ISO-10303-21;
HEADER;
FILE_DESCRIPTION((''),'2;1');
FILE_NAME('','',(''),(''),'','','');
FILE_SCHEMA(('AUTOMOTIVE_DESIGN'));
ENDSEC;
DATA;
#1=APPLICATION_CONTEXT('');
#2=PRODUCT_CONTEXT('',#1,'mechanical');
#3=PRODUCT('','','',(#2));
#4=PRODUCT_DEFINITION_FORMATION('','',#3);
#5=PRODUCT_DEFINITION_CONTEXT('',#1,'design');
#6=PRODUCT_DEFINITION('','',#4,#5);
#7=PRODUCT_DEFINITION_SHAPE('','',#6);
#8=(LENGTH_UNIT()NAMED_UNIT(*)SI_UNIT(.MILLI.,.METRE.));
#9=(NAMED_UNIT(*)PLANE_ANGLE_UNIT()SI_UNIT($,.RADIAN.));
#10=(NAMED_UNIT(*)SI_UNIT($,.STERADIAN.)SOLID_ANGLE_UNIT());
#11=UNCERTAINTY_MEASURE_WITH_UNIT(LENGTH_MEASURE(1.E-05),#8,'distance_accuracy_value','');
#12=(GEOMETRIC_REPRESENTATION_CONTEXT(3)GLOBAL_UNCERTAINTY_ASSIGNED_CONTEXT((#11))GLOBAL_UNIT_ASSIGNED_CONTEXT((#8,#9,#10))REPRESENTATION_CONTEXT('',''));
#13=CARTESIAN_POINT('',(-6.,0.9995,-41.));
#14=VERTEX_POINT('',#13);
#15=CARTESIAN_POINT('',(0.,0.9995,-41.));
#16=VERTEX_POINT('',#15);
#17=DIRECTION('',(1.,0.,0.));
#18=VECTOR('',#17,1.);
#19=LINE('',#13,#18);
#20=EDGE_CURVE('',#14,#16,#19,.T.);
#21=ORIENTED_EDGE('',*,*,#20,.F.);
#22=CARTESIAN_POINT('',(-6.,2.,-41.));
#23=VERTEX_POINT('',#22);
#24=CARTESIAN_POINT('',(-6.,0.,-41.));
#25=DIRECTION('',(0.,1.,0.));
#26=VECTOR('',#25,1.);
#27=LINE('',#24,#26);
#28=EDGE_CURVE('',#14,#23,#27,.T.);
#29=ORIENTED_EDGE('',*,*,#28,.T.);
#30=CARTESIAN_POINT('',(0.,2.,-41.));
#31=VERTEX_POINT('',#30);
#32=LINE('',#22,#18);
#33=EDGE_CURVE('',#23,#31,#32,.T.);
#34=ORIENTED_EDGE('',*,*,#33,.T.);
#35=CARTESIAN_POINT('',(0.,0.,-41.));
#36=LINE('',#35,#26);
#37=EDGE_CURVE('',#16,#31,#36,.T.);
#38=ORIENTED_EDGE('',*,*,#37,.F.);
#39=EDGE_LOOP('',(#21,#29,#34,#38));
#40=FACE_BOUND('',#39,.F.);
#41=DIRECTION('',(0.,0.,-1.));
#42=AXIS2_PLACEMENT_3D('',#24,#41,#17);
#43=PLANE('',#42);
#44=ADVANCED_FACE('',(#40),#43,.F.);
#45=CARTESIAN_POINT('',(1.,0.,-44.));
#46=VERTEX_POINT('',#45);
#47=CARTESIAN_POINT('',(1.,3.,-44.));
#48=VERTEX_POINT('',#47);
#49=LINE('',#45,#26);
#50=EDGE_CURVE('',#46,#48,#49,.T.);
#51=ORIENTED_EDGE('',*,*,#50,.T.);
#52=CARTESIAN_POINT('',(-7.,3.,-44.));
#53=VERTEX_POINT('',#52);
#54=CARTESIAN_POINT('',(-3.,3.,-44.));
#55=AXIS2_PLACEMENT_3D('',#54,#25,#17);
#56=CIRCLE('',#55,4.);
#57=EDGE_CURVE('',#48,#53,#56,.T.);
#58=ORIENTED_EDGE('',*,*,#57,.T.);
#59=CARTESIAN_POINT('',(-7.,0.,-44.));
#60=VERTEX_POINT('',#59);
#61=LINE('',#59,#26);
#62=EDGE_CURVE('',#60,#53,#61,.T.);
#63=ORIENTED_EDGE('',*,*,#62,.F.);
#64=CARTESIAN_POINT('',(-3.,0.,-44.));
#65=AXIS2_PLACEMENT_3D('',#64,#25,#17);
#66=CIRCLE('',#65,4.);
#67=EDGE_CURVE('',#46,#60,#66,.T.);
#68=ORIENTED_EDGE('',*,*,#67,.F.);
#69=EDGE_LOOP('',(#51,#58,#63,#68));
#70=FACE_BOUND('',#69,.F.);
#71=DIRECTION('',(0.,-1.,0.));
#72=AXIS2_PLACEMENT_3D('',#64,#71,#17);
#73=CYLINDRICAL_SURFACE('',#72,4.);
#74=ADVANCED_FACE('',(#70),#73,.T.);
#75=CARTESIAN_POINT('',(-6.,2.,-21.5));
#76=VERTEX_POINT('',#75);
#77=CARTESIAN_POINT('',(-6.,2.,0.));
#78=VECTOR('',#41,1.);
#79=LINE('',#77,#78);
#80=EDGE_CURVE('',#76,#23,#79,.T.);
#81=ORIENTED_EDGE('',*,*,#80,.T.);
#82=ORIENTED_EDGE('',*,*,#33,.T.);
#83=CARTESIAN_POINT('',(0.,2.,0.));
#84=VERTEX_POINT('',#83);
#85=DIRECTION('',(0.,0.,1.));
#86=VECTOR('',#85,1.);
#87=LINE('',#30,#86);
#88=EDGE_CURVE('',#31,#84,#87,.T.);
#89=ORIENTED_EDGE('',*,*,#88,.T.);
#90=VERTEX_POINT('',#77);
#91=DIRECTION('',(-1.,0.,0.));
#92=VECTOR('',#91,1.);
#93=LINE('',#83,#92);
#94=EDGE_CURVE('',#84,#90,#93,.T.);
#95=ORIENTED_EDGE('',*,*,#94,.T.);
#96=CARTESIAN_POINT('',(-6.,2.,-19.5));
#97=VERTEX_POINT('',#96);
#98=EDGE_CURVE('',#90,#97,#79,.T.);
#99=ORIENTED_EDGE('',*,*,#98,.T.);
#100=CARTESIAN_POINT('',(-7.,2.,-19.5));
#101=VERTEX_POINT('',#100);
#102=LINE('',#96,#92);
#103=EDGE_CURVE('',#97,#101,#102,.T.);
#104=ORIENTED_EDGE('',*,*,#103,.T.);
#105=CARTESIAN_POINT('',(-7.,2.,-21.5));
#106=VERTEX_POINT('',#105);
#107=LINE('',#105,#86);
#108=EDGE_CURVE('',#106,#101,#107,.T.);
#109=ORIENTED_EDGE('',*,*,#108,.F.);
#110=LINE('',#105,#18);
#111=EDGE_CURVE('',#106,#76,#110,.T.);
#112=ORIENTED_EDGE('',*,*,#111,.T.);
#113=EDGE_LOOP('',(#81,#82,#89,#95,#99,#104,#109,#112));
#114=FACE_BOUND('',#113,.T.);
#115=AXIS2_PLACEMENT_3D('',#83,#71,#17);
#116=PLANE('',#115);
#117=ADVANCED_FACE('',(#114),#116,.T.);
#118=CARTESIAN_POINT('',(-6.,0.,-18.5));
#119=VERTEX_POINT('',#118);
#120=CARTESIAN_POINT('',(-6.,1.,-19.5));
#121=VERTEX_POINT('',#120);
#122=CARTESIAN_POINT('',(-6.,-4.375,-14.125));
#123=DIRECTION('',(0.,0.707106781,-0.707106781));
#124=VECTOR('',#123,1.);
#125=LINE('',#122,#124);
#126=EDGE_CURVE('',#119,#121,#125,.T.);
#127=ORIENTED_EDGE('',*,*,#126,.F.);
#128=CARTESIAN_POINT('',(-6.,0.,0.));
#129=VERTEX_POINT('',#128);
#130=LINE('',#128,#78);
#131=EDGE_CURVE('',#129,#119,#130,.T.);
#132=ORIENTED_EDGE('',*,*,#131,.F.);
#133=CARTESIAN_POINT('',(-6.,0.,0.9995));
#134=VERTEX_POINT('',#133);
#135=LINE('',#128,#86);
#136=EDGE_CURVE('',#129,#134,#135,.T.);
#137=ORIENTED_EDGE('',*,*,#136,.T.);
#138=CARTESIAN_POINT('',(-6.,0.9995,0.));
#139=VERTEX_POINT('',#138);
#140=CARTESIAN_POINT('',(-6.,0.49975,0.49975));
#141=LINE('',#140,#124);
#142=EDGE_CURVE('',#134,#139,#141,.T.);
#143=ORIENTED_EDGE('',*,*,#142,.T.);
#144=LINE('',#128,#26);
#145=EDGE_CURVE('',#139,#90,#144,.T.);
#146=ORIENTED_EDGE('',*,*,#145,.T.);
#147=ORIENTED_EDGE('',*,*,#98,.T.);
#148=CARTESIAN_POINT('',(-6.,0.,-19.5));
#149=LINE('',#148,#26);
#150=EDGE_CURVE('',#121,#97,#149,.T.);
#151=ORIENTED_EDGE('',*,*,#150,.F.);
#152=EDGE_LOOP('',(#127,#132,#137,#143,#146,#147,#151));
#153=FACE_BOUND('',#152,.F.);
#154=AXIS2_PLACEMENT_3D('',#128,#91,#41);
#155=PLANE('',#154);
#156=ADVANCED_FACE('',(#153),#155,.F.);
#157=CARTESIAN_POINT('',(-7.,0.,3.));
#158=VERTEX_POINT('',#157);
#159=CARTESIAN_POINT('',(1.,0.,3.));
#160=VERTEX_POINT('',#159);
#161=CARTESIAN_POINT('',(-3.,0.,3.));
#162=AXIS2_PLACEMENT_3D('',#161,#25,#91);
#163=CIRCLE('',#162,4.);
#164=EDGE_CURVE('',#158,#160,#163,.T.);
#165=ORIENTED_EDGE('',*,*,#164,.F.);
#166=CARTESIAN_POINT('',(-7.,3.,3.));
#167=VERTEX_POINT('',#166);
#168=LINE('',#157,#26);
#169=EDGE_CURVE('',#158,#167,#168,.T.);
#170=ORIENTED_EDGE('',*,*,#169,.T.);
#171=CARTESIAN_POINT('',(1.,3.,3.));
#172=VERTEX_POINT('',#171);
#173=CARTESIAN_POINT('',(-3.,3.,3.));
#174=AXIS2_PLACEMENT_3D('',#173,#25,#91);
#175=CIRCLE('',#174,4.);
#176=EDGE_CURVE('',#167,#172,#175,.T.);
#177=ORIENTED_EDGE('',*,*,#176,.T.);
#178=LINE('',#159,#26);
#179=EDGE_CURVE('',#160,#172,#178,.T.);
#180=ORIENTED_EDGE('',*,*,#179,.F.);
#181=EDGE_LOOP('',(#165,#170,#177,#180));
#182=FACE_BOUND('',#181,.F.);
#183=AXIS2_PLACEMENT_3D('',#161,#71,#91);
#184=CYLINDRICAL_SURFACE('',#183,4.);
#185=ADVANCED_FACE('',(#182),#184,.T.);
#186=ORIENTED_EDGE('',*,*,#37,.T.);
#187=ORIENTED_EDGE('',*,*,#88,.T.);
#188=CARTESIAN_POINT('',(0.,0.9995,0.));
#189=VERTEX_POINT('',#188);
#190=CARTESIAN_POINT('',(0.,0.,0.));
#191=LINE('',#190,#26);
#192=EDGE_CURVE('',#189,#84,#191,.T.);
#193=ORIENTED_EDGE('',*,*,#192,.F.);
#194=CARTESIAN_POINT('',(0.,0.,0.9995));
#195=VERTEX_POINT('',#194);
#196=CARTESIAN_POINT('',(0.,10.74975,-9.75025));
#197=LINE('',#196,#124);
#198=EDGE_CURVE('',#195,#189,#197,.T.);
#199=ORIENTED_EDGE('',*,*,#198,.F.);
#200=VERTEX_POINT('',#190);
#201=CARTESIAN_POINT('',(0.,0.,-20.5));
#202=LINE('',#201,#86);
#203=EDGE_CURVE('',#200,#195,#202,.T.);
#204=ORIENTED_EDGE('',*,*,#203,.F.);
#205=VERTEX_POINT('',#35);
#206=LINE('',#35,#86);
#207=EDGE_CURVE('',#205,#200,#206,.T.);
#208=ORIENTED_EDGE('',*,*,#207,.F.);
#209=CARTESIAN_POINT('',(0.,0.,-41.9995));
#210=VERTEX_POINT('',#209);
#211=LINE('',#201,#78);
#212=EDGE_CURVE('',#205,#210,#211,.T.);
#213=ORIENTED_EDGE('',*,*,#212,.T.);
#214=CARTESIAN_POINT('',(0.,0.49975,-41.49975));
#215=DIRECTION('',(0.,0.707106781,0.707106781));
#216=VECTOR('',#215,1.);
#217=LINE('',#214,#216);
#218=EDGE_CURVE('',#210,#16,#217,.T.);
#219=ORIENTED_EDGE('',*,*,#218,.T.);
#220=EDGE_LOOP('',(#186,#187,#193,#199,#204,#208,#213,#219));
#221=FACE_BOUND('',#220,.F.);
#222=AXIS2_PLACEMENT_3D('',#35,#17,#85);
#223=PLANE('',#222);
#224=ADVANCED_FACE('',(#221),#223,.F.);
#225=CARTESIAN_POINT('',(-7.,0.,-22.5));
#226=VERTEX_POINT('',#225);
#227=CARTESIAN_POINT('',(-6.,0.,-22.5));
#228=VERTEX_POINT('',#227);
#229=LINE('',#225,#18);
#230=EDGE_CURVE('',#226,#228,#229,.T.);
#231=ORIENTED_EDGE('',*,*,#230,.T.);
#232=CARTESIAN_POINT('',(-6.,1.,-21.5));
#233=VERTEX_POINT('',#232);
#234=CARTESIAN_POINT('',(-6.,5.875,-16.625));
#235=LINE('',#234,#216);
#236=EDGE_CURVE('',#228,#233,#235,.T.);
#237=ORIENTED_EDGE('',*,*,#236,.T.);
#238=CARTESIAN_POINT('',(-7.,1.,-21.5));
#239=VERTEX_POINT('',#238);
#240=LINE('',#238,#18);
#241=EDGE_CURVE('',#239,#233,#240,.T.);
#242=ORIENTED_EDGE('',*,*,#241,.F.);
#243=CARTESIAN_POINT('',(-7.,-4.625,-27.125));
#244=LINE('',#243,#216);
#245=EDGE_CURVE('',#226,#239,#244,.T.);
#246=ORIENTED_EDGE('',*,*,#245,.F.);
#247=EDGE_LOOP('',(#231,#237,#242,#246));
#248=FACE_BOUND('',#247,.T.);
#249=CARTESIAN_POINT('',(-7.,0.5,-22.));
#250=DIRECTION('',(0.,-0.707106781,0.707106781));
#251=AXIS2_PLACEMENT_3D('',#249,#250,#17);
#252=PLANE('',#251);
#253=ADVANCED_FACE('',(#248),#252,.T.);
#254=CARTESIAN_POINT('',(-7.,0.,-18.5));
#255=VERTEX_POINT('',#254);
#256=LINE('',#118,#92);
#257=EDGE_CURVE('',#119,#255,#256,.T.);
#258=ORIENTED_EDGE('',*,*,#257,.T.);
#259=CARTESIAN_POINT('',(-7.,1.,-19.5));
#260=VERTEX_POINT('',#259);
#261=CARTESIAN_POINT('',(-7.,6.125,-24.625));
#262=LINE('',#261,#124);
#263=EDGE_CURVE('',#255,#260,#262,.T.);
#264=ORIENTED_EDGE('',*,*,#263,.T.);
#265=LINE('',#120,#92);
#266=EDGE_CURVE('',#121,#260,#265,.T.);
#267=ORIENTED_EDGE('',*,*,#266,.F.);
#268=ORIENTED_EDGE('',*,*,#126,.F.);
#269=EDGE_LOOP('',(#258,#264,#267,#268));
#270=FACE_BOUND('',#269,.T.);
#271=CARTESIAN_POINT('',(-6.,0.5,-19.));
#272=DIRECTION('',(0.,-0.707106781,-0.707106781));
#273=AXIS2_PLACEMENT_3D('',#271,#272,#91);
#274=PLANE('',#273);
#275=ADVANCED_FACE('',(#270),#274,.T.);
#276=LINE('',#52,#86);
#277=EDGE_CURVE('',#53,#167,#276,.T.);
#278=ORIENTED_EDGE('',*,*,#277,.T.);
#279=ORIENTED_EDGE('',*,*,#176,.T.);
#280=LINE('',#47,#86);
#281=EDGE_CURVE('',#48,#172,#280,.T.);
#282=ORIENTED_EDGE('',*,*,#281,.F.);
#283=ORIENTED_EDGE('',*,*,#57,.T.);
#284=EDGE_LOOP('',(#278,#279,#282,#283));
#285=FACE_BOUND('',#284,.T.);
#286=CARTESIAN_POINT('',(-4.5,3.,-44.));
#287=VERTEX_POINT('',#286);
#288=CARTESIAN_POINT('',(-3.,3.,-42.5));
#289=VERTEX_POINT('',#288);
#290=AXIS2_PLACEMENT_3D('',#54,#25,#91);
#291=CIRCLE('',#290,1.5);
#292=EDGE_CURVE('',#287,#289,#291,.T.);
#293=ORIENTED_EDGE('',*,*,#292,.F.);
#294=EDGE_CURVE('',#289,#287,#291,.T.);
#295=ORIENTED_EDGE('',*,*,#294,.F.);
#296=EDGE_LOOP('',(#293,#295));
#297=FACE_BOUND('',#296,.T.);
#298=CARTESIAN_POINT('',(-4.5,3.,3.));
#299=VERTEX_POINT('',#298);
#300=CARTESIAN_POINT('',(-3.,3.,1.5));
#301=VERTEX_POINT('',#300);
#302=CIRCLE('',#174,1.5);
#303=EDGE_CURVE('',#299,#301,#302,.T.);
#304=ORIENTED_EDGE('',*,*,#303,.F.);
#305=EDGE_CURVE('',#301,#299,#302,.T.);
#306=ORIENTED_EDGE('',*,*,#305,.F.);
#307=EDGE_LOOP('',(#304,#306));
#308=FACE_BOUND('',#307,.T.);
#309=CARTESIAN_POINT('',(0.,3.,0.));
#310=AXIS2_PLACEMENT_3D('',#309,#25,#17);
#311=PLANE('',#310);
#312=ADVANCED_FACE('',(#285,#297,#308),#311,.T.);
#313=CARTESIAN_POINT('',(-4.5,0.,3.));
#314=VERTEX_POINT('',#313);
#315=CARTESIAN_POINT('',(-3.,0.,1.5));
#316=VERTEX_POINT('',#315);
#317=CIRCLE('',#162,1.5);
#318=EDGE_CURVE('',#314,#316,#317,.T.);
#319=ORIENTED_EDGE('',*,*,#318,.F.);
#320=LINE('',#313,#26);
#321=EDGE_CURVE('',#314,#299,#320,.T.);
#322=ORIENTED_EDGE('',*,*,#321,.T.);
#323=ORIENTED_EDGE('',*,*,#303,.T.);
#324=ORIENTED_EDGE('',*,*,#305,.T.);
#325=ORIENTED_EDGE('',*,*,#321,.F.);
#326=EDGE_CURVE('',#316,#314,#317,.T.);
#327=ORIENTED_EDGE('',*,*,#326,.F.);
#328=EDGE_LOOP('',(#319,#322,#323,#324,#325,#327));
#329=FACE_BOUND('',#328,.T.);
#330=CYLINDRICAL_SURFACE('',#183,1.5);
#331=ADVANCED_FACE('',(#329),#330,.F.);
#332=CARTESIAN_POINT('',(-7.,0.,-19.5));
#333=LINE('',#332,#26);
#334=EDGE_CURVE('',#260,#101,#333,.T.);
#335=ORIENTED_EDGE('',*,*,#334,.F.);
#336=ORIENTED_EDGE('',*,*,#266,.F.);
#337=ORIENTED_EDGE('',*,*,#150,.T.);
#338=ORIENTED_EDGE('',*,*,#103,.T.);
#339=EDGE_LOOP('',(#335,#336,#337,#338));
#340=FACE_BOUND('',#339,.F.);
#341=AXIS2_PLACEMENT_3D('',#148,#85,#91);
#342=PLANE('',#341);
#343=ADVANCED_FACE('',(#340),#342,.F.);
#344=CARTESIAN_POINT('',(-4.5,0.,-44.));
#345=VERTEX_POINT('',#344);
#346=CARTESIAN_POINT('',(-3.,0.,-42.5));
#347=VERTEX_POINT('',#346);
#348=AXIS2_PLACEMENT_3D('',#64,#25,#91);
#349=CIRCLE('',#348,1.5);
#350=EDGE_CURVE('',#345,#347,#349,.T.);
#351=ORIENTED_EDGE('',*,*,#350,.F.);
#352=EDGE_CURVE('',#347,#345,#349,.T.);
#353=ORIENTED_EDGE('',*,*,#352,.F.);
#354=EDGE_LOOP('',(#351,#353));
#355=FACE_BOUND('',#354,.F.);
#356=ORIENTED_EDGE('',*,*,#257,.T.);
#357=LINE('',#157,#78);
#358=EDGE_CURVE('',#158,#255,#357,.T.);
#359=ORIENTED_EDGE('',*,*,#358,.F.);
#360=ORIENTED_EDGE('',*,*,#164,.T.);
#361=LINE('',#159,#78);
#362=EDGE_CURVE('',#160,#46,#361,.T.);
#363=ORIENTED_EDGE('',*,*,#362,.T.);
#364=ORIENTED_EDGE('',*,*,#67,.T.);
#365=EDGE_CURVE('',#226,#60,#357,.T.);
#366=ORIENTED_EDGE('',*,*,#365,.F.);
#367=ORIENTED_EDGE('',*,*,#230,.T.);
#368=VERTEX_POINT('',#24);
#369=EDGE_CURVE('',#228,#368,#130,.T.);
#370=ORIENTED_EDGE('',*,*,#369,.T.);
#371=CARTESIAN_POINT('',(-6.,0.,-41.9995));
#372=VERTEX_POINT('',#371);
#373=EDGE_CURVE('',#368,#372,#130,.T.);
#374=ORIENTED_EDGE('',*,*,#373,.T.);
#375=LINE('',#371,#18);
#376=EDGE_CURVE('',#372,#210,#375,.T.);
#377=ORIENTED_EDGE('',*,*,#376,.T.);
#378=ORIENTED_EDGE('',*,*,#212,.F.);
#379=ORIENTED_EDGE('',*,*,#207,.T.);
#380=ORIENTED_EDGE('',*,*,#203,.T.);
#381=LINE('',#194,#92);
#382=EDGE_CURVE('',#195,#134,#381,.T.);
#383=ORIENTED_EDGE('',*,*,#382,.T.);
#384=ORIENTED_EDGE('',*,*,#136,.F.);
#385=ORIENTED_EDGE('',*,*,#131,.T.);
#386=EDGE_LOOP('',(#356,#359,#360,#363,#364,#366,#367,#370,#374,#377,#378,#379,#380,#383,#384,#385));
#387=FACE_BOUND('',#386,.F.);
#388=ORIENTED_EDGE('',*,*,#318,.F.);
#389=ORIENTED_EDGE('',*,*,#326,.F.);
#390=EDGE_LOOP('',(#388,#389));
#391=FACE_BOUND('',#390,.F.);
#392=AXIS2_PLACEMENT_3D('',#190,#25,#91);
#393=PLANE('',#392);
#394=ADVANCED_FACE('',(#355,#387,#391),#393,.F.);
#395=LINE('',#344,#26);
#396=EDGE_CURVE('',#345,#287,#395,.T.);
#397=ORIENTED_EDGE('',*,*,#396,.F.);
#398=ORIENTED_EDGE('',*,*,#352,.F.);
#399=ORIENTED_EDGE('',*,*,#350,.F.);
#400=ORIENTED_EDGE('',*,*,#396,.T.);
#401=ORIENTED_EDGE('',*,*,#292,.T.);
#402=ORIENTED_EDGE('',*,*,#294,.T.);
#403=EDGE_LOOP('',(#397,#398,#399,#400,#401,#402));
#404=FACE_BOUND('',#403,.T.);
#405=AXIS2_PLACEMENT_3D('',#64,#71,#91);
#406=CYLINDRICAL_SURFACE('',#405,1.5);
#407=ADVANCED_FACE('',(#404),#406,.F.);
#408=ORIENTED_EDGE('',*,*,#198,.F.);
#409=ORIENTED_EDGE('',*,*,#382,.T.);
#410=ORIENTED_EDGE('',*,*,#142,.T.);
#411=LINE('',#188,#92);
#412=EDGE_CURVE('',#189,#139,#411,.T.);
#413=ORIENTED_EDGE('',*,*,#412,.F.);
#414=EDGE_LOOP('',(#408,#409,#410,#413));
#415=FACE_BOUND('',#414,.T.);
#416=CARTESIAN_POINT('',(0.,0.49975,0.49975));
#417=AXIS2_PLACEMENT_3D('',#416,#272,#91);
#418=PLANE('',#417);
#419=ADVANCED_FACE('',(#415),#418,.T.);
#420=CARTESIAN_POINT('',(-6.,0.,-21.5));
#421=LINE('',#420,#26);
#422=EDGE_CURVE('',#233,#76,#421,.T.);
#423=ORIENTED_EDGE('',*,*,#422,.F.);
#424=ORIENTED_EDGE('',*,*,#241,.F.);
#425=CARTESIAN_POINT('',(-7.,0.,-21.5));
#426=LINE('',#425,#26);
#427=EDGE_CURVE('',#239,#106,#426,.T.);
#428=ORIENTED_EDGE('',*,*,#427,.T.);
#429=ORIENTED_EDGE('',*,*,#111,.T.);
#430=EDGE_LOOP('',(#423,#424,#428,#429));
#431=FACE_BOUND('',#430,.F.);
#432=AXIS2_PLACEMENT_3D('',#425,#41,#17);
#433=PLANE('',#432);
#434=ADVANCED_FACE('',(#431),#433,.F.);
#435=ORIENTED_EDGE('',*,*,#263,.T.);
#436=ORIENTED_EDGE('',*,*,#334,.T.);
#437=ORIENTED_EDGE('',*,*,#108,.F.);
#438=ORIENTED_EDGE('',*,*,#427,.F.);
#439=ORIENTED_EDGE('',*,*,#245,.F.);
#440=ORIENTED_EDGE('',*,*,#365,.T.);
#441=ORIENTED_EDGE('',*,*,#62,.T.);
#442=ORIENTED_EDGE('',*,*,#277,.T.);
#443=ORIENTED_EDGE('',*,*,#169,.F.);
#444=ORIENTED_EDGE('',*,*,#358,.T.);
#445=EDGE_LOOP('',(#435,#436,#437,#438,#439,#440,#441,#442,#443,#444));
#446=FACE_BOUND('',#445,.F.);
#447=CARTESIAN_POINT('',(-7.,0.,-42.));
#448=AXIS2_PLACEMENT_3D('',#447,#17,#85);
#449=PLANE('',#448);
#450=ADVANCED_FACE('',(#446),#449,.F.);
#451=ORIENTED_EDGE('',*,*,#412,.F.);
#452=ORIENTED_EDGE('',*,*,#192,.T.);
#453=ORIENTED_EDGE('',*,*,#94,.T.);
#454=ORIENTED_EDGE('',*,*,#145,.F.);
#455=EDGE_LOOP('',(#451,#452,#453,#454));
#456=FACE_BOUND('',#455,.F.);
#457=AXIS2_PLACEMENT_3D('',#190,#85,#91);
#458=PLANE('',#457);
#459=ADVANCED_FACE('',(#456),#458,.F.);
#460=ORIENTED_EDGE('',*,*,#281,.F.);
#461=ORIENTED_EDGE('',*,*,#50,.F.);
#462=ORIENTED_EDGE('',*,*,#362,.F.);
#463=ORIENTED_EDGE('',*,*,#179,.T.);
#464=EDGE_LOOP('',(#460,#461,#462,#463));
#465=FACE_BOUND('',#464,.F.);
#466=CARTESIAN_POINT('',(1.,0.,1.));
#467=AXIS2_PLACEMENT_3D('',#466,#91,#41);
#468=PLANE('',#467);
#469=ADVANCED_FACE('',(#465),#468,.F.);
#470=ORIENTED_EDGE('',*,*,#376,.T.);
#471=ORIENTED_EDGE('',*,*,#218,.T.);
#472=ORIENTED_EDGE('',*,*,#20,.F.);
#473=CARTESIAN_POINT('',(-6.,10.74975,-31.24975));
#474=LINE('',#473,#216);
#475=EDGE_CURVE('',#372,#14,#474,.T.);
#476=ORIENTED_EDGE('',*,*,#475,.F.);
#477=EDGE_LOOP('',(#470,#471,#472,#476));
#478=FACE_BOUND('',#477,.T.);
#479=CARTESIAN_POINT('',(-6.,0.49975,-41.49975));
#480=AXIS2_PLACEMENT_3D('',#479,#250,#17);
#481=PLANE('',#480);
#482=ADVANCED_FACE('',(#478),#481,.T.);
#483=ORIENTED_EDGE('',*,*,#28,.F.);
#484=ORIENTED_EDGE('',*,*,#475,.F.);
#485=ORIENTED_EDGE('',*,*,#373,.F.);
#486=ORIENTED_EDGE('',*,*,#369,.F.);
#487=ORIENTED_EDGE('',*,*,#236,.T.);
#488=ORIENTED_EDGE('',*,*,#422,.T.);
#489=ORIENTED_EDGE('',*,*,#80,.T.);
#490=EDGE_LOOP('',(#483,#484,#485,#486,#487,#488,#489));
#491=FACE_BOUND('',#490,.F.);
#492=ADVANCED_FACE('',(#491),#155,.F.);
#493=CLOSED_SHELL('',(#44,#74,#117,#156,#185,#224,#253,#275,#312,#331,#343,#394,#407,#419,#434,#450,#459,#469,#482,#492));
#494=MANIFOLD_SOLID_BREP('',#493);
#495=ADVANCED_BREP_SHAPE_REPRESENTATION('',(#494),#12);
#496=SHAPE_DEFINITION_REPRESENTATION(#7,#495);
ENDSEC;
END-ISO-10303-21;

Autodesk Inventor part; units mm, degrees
ref_plane "YZ Plane" through (0, 0, 0) normal (1, 0, 0) x (0, 1, 0)
ref_plane "XZ Plane" through (0, 0, 0) normal (0, 1, 0) x (-1, 0, 0)
ref_plane "XY Plane" through (0, 0, 0) normal (0, 0, 1) x (1, 0, 0)
sketch "Sketch1" plane through (0, 0, 0) normal (0, 1, 0) x (-1, 0, 0)
  line L0 (0, 0) -> (6, 0)
  line L1 (6, 0) -> (6, -41)
  line L2 (6, -41) -> (0, -41)
  line L3 (0, -41) -> (0, 0)
  line L4 (7, -42) -> (7, 1)
  line L5 (7, 1) -> (-1, 1)
  line L6 (-1, 1) -> (-1, -42)
  line L7 (-1, -42) -> (7, -42)
  line L8 (3, 1) -> (3, 3)
  circle A0 centre (3, 3) radius 1.5
  arc A1 (7, 3) -> (-1, 3) centre (3, 3) ccw
  line L9 (7, 1) -> (7, 3)
  line L10 (-1, 1) -> (-1, 3)
  line L11 (3, -42) -> (3, -44)
  circle A2 centre (3, -44) radius 1.5
  arc A3 (-1, -44) -> (7, -44) centre (3, -44) ccw
  line L12 (7, -42) -> (7, -44)
  line L13 (-1, -42) -> (-1, -44)
  dimension "d19" = 2
  dimension "d0" = 6
  dimension "d1" = 41
  dimension "d2" = 1
  dimension "d3" = 2
  dimension "d4" = 3
  dimension "d5" = 8
  dimension "d6" = 2
  dimension "d7" = 3
  dimension "d8" = 8
extrude "Extrusion1" add sketch "Sketch1" along normal blind 3
sketch "Sketch2" plane through (0, 3, 0) normal (0, 1, 0) x (1, 0, 0)
  line L0 (0, 41) -> (0, 0) projected
  line L1 (-6, 0) -> (-6, 41) projected
  line L2 (0, 0) -> (-6, 0)
  line L3 (-6, 0) -> (-6, 41)
  line L4 (-6, 41) -> (0, 41)
  line L5 (0, 41) -> (0, 0)
extrude "Extrusion2" add sketch "Sketch2" against normal blind 1
sketch "Sketch3" plane through (0, 0, 0) normal (0, -1, 0) x (1, 0, 0)
  circle A0 centre (-3, 3) radius 1.5 projected
  line L0 (-6, -41) -> (-6, 0) projected
  line L1 (-6, 0) -> (0, 0) projected
  line L2 (0, 0) -> (0, -41) projected
  line L3 (0, -41) -> (-6, -41) projected
  circle A1 centre (-3, 3) radius 1.5 projected
  circle A2 centre (-3, -44) radius 1.5 projected
  line L4 (-7, -44) -> (-7, 3) projected
  arc A3 (-7, -44) -> (1, -44) centre (-3, -44) ccw projected
  line L5 (1, 3) -> (1, -44) projected
  arc A4 (1, 3) -> (-7, 3) centre (-3, 3) ccw projected
  line L6 (-7, -44) -> (-7, 3) projected
  line L7 (-7, -20.5) -> (-7, -21.5)
  line L8 (-7, -21.5) -> (-6, -21.5)
  line L9 (-6, -21.5) -> (-6, -19.5)
  line L10 (-6, -19.5) -> (-7, -19.5)
  line L11 (-7, -19.5) -> (-7, -21.5)
  dimension "d13" = 1
  dimension "d14" = 1
  dimension "d15" = 2
extrude "Extrusion3" cut sketch "Sketch3" against normal up to surface (2 mm away) contours L8 L4 L10 L0
chamfer "Chamfer1" distance 1 angle 45 2 edges at (-6.5, 0, -19.5) (-6.5, 0, -21.5)
chamfer "Chamfer2" distance 1 angle 45 2 edges at (-3, 0, 0) (-3, 0, -41)
properties part number "Beaglebone Antenna Mount"
